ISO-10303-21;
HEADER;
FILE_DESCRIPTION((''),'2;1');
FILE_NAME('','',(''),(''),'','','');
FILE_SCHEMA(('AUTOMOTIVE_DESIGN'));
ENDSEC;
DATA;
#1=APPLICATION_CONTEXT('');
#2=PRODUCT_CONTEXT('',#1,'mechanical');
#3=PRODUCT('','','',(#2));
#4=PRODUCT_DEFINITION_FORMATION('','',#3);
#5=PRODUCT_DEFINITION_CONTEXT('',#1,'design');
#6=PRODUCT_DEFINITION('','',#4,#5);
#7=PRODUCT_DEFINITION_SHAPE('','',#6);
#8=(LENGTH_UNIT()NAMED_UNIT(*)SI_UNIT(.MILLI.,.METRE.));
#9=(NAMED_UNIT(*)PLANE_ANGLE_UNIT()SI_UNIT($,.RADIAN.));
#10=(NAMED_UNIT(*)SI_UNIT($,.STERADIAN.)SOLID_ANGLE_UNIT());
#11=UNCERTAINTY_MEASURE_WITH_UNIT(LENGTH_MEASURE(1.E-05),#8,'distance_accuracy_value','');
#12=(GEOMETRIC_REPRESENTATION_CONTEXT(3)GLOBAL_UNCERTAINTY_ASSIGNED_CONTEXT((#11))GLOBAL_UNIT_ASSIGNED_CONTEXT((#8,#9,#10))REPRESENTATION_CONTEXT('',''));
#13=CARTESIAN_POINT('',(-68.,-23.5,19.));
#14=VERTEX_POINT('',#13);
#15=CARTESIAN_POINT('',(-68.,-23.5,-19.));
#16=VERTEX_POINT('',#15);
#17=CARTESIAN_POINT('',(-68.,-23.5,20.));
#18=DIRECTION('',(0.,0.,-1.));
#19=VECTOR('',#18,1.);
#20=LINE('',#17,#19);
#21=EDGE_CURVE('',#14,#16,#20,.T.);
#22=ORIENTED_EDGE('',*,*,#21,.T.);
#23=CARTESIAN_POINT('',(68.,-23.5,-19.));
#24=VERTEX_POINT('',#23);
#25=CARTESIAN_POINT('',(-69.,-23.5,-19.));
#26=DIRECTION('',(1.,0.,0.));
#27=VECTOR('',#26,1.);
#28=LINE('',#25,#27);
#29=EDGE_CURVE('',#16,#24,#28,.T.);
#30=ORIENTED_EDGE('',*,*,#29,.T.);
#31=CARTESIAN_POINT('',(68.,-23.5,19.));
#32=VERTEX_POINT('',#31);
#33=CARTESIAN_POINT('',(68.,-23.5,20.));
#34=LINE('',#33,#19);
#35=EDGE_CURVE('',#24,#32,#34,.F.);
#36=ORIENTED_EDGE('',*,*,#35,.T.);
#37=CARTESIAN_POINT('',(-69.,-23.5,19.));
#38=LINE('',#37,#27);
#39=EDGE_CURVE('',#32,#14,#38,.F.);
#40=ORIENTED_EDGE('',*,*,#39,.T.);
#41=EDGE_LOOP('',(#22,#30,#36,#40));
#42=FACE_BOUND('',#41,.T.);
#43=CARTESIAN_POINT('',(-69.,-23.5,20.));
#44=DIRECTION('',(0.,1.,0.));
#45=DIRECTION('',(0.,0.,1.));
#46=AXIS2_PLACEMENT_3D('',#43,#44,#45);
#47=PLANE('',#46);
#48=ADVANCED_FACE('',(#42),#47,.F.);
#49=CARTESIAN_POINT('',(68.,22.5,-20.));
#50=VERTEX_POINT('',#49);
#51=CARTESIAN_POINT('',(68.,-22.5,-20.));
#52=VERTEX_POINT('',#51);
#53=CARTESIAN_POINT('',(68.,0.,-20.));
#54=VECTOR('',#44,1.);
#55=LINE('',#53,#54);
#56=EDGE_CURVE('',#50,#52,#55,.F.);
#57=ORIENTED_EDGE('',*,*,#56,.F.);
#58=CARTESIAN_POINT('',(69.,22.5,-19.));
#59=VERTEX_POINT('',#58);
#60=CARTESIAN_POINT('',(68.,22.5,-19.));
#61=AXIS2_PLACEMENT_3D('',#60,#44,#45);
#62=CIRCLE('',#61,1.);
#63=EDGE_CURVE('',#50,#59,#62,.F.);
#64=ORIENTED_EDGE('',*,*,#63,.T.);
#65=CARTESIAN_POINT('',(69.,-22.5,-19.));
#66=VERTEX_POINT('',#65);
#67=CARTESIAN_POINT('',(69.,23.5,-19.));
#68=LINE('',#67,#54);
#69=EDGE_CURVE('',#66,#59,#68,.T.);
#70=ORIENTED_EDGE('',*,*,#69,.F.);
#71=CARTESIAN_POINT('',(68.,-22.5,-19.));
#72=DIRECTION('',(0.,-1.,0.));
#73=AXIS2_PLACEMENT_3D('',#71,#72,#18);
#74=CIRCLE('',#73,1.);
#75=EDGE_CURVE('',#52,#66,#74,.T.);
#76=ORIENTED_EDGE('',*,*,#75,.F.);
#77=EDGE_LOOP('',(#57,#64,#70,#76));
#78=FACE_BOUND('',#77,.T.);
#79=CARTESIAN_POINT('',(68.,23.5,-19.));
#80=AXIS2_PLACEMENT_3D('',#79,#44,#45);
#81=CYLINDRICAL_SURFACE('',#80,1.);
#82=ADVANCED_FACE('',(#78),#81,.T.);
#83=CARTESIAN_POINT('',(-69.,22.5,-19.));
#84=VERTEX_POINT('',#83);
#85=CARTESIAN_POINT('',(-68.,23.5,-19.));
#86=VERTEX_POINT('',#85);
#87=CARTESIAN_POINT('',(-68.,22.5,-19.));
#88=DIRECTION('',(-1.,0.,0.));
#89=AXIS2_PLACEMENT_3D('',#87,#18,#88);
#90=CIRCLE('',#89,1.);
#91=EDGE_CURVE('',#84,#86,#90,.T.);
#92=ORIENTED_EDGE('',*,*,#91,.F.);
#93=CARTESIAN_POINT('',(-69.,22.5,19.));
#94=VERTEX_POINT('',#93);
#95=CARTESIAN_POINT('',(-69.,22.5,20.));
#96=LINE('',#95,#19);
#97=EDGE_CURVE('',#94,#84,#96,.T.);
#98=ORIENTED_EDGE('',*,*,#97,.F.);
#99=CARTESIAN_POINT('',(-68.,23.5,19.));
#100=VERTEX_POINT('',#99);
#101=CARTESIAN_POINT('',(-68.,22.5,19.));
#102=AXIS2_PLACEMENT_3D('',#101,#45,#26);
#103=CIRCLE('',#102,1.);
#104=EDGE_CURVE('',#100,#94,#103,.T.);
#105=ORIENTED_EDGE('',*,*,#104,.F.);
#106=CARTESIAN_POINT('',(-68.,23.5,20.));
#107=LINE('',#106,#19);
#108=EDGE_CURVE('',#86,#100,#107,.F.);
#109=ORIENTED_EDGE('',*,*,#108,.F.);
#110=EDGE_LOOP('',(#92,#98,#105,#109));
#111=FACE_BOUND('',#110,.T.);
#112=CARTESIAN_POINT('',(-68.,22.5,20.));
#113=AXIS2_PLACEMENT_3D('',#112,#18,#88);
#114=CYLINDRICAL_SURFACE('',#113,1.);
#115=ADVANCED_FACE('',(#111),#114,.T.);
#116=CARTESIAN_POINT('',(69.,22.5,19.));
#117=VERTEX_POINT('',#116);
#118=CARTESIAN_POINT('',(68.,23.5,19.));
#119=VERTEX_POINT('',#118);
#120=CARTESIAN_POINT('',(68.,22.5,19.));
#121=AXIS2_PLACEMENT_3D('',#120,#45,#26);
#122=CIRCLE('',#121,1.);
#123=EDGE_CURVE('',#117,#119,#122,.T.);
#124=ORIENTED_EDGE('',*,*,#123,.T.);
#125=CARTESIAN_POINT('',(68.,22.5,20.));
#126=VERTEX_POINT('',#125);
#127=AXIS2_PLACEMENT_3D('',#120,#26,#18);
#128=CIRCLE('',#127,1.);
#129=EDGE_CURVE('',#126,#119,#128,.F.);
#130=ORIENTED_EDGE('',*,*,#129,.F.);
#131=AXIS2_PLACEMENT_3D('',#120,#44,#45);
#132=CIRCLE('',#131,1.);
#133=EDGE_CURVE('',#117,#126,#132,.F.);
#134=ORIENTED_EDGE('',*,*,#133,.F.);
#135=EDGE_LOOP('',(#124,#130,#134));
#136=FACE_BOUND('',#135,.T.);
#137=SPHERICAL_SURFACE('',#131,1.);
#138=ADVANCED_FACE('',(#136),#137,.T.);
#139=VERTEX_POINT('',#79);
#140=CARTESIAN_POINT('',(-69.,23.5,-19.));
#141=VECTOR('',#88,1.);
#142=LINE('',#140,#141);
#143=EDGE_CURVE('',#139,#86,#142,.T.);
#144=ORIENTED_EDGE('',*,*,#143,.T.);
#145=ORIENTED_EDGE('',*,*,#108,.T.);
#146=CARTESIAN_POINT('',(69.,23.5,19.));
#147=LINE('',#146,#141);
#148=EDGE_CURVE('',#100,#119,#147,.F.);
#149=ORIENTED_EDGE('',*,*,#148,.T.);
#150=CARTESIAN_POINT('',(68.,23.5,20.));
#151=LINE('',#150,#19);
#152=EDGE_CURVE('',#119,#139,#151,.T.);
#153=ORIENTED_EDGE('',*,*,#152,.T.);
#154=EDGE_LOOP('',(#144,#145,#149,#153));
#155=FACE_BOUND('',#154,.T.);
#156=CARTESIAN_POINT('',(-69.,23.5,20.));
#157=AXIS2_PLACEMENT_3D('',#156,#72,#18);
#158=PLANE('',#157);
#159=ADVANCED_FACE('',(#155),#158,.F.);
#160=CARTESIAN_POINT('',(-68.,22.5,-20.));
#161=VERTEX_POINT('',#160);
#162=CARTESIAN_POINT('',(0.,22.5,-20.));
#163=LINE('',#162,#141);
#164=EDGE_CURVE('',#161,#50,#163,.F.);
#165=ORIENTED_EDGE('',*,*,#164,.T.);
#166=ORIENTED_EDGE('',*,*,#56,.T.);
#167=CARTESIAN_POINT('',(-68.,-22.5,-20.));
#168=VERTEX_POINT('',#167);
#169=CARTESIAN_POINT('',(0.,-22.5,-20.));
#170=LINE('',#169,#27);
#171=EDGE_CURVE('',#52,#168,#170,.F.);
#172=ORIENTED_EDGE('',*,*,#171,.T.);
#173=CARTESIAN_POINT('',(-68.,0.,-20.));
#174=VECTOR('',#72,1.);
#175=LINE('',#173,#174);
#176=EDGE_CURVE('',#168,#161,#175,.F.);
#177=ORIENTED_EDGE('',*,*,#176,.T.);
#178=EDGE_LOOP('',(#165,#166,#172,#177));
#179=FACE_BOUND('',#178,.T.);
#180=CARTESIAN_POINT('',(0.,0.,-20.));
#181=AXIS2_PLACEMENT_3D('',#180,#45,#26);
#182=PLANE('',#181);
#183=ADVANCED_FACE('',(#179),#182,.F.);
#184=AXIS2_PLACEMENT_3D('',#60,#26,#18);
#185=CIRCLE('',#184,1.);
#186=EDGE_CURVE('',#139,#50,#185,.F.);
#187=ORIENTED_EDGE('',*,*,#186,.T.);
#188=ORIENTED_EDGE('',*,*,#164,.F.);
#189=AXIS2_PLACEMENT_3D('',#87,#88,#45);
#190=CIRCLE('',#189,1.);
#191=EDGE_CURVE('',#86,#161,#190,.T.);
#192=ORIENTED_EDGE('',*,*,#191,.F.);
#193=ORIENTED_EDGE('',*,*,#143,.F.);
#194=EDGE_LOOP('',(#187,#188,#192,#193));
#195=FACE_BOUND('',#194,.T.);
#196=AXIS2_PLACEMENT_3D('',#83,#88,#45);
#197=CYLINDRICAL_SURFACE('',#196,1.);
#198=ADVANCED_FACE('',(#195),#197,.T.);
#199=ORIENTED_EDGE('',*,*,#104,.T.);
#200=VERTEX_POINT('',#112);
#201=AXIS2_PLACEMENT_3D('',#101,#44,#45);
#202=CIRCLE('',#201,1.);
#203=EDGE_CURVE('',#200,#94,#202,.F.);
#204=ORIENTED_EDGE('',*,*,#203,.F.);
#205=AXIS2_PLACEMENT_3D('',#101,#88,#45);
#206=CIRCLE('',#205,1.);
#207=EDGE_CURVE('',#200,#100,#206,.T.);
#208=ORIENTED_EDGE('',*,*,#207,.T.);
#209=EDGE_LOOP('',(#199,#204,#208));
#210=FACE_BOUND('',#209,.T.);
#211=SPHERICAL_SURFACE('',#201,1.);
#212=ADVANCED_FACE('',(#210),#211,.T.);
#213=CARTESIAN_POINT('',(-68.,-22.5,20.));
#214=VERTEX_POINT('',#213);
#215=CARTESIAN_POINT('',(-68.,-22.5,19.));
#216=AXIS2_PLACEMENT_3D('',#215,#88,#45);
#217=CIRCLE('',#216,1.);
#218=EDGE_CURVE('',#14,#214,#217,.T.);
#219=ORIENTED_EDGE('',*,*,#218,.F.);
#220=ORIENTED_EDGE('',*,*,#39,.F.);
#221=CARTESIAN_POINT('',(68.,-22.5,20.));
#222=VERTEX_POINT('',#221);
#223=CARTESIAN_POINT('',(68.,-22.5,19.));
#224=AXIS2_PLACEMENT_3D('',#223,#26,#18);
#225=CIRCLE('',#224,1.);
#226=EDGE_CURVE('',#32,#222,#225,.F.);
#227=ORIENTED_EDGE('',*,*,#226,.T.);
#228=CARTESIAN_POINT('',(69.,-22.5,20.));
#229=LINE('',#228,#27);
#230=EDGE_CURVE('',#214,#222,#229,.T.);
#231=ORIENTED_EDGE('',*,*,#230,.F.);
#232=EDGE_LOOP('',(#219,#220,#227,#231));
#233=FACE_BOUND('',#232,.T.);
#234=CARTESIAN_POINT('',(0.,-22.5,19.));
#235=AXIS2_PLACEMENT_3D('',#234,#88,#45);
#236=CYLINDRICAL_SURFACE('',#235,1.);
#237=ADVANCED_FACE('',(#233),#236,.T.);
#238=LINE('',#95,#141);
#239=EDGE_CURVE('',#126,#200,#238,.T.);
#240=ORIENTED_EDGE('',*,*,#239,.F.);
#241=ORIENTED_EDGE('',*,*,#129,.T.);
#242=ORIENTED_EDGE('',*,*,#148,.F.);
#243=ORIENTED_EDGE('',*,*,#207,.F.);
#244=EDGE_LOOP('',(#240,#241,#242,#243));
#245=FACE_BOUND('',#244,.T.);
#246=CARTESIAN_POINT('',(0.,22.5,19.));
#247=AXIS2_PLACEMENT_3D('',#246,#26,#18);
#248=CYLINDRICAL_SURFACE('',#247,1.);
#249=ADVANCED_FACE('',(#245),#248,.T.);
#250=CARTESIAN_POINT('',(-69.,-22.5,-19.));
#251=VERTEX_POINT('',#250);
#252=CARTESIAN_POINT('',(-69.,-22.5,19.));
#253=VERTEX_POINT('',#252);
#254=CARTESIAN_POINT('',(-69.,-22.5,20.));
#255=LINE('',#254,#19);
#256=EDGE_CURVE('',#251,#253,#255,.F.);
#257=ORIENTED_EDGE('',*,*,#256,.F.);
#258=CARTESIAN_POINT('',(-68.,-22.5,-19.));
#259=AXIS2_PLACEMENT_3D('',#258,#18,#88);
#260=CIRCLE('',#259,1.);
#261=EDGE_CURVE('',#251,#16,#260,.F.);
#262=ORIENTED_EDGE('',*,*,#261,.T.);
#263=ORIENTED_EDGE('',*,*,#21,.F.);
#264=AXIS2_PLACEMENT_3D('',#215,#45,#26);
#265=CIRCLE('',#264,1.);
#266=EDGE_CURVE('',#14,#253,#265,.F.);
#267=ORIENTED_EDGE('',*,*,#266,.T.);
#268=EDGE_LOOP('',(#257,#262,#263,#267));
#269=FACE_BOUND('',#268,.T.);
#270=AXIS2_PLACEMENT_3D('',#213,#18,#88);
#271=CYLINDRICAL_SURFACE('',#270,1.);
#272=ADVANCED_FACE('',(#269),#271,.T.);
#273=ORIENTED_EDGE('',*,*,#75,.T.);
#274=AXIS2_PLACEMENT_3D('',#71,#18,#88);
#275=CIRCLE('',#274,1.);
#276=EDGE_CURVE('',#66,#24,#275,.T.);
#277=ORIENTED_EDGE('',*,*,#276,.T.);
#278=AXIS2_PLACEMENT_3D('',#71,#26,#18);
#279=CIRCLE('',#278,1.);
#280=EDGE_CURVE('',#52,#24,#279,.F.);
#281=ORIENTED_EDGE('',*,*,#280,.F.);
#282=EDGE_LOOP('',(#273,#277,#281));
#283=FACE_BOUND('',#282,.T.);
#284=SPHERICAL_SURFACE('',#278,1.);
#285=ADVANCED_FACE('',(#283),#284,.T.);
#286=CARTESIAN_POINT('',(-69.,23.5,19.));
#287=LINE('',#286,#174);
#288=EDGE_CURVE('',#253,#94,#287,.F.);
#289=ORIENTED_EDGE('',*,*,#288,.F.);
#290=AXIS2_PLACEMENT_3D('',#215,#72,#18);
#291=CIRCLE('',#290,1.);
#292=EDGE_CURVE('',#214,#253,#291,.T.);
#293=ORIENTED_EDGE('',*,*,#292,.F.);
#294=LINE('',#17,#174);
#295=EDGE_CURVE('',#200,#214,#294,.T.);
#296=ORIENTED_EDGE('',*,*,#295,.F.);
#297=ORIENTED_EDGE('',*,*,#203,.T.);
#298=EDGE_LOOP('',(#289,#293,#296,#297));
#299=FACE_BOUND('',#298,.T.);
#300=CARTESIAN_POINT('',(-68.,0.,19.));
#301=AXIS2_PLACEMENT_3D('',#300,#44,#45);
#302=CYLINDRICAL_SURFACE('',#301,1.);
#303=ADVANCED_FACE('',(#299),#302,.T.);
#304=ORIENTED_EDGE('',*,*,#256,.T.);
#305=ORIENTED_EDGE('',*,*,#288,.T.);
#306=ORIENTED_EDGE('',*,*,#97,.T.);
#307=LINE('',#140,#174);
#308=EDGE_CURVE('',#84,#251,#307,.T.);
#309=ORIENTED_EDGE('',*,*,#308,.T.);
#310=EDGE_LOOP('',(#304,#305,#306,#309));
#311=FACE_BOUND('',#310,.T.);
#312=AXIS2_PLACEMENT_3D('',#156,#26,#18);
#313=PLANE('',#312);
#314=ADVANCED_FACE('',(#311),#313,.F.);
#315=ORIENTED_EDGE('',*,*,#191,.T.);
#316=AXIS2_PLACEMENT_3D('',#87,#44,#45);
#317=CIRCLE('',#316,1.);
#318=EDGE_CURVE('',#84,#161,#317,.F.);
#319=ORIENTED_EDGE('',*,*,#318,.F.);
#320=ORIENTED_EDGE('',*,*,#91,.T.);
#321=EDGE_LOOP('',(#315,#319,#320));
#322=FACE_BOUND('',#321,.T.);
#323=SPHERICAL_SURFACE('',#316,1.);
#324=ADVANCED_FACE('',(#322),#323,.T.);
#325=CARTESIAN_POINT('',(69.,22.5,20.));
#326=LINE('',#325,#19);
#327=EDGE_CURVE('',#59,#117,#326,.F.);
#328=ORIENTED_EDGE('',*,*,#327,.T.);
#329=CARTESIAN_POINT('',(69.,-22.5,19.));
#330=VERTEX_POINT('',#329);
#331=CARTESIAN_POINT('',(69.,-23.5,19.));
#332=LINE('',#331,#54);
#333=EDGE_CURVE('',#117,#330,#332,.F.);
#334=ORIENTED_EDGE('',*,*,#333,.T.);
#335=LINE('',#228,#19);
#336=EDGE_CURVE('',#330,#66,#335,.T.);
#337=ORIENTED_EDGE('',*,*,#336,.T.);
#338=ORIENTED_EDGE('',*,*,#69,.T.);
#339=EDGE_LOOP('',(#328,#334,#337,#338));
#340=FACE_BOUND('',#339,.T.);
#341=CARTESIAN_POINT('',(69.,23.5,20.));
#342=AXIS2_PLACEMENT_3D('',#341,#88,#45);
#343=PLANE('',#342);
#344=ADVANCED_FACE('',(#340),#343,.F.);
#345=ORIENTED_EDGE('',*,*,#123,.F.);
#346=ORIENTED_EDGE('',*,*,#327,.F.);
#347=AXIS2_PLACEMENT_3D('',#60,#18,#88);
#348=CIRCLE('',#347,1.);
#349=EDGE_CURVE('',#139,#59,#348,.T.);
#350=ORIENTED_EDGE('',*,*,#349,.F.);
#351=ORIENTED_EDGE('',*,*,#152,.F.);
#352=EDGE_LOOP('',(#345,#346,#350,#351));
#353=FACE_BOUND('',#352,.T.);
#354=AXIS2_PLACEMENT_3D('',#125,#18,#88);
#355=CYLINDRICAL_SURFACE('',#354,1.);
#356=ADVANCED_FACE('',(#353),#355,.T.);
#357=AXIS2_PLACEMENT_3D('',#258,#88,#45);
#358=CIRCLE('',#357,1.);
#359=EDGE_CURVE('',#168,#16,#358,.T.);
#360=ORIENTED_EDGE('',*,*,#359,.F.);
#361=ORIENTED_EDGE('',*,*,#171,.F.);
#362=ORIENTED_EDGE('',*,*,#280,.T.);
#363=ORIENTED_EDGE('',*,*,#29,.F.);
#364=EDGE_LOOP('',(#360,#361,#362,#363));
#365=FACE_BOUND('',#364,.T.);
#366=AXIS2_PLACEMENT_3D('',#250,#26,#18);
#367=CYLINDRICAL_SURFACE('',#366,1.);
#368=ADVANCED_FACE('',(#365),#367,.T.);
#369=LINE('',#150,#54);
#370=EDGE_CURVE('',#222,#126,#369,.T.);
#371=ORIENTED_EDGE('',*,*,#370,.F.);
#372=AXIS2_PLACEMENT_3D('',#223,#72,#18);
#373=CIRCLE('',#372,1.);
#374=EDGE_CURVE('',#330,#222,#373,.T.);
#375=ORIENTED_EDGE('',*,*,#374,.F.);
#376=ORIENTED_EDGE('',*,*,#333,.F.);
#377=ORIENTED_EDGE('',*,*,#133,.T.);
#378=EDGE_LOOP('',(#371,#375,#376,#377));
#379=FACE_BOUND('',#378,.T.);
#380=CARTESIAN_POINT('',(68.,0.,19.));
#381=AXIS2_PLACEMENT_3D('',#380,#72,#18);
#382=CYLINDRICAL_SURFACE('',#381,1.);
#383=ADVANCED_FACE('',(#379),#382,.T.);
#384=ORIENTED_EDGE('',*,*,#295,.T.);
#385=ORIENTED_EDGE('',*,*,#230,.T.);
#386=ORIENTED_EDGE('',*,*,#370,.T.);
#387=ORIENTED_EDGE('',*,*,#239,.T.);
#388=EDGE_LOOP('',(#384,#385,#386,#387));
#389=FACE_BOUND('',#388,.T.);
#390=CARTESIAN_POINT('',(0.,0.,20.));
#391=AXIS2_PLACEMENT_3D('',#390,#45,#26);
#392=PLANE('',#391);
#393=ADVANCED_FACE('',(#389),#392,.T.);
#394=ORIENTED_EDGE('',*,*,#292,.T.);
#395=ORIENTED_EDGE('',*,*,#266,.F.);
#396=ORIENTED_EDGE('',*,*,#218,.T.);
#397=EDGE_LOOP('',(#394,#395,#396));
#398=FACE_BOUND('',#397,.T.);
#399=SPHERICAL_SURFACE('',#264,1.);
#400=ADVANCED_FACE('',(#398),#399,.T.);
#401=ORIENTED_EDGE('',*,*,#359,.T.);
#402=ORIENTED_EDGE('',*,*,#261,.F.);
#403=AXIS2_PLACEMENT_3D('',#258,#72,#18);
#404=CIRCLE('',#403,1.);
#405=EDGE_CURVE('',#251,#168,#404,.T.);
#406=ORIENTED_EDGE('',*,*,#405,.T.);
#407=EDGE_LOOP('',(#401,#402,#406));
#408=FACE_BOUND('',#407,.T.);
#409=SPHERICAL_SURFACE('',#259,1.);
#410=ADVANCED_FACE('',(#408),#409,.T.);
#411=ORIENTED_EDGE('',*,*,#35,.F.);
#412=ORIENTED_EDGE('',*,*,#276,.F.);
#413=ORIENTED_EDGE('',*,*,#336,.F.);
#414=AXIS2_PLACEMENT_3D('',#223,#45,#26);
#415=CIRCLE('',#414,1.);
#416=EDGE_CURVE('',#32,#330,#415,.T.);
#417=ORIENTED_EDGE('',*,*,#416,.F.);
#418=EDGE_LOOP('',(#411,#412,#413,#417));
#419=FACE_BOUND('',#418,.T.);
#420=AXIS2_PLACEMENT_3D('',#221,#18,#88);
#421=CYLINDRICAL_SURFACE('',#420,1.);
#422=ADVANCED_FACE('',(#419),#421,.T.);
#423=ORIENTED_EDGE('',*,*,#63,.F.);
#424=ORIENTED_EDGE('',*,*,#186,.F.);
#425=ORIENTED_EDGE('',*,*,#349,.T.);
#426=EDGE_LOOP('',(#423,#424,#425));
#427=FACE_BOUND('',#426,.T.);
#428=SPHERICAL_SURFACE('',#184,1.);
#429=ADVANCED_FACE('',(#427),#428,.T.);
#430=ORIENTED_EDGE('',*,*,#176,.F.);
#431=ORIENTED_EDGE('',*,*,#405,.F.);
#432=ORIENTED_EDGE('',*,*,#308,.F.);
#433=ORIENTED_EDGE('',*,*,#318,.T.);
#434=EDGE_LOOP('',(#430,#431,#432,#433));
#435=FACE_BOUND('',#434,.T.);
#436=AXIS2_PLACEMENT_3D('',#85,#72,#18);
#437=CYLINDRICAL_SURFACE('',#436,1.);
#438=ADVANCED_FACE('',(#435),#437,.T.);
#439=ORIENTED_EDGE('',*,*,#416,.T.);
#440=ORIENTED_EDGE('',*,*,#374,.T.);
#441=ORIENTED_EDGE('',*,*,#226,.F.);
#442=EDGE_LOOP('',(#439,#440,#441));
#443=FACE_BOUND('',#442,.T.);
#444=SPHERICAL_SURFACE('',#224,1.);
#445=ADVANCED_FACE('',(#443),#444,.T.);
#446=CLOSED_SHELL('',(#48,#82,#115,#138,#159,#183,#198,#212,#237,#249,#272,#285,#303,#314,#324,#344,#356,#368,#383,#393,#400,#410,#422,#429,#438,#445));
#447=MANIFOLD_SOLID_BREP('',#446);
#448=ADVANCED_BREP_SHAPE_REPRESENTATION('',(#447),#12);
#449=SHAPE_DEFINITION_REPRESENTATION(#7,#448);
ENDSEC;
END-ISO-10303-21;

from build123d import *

# Parameters (mm, degrees)
SKETCH1_W           = 138
SKETCH1_H           = 47
BOSS_EXTRUDE1_DEPTH = 20
FILLET1_R           = 1


with BuildPart() as part:
    # Sketch1 → Boss-Extrude1 (new, symmetric)
    with BuildSketch(Plane.XY):
        Rectangle(SKETCH1_W, SKETCH1_H)
    extrude(amount=BOSS_EXTRUDE1_DEPTH, both=True)

    # Fillet1
    fillet1_edges = [part.edges().sort_by_distance(p)[0] for p in [
        (-69, 0, 20),
        (0, -23.5, 20),
        (69, 0, 20),
        (0, -23.5, -20),
        (-69, 0, -20),
        (0, 23.5, -20),
        (69, 0, -20),
        (69, -23.5, 0),
        (-69, -23.5, 0),
        (-69, 23.5, 0),
        (69, 23.5, 0),
        (0, 23.5, 20),
    ]]
    fillet(fillet1_edges, radius=FILLET1_R)


solid = part.part
